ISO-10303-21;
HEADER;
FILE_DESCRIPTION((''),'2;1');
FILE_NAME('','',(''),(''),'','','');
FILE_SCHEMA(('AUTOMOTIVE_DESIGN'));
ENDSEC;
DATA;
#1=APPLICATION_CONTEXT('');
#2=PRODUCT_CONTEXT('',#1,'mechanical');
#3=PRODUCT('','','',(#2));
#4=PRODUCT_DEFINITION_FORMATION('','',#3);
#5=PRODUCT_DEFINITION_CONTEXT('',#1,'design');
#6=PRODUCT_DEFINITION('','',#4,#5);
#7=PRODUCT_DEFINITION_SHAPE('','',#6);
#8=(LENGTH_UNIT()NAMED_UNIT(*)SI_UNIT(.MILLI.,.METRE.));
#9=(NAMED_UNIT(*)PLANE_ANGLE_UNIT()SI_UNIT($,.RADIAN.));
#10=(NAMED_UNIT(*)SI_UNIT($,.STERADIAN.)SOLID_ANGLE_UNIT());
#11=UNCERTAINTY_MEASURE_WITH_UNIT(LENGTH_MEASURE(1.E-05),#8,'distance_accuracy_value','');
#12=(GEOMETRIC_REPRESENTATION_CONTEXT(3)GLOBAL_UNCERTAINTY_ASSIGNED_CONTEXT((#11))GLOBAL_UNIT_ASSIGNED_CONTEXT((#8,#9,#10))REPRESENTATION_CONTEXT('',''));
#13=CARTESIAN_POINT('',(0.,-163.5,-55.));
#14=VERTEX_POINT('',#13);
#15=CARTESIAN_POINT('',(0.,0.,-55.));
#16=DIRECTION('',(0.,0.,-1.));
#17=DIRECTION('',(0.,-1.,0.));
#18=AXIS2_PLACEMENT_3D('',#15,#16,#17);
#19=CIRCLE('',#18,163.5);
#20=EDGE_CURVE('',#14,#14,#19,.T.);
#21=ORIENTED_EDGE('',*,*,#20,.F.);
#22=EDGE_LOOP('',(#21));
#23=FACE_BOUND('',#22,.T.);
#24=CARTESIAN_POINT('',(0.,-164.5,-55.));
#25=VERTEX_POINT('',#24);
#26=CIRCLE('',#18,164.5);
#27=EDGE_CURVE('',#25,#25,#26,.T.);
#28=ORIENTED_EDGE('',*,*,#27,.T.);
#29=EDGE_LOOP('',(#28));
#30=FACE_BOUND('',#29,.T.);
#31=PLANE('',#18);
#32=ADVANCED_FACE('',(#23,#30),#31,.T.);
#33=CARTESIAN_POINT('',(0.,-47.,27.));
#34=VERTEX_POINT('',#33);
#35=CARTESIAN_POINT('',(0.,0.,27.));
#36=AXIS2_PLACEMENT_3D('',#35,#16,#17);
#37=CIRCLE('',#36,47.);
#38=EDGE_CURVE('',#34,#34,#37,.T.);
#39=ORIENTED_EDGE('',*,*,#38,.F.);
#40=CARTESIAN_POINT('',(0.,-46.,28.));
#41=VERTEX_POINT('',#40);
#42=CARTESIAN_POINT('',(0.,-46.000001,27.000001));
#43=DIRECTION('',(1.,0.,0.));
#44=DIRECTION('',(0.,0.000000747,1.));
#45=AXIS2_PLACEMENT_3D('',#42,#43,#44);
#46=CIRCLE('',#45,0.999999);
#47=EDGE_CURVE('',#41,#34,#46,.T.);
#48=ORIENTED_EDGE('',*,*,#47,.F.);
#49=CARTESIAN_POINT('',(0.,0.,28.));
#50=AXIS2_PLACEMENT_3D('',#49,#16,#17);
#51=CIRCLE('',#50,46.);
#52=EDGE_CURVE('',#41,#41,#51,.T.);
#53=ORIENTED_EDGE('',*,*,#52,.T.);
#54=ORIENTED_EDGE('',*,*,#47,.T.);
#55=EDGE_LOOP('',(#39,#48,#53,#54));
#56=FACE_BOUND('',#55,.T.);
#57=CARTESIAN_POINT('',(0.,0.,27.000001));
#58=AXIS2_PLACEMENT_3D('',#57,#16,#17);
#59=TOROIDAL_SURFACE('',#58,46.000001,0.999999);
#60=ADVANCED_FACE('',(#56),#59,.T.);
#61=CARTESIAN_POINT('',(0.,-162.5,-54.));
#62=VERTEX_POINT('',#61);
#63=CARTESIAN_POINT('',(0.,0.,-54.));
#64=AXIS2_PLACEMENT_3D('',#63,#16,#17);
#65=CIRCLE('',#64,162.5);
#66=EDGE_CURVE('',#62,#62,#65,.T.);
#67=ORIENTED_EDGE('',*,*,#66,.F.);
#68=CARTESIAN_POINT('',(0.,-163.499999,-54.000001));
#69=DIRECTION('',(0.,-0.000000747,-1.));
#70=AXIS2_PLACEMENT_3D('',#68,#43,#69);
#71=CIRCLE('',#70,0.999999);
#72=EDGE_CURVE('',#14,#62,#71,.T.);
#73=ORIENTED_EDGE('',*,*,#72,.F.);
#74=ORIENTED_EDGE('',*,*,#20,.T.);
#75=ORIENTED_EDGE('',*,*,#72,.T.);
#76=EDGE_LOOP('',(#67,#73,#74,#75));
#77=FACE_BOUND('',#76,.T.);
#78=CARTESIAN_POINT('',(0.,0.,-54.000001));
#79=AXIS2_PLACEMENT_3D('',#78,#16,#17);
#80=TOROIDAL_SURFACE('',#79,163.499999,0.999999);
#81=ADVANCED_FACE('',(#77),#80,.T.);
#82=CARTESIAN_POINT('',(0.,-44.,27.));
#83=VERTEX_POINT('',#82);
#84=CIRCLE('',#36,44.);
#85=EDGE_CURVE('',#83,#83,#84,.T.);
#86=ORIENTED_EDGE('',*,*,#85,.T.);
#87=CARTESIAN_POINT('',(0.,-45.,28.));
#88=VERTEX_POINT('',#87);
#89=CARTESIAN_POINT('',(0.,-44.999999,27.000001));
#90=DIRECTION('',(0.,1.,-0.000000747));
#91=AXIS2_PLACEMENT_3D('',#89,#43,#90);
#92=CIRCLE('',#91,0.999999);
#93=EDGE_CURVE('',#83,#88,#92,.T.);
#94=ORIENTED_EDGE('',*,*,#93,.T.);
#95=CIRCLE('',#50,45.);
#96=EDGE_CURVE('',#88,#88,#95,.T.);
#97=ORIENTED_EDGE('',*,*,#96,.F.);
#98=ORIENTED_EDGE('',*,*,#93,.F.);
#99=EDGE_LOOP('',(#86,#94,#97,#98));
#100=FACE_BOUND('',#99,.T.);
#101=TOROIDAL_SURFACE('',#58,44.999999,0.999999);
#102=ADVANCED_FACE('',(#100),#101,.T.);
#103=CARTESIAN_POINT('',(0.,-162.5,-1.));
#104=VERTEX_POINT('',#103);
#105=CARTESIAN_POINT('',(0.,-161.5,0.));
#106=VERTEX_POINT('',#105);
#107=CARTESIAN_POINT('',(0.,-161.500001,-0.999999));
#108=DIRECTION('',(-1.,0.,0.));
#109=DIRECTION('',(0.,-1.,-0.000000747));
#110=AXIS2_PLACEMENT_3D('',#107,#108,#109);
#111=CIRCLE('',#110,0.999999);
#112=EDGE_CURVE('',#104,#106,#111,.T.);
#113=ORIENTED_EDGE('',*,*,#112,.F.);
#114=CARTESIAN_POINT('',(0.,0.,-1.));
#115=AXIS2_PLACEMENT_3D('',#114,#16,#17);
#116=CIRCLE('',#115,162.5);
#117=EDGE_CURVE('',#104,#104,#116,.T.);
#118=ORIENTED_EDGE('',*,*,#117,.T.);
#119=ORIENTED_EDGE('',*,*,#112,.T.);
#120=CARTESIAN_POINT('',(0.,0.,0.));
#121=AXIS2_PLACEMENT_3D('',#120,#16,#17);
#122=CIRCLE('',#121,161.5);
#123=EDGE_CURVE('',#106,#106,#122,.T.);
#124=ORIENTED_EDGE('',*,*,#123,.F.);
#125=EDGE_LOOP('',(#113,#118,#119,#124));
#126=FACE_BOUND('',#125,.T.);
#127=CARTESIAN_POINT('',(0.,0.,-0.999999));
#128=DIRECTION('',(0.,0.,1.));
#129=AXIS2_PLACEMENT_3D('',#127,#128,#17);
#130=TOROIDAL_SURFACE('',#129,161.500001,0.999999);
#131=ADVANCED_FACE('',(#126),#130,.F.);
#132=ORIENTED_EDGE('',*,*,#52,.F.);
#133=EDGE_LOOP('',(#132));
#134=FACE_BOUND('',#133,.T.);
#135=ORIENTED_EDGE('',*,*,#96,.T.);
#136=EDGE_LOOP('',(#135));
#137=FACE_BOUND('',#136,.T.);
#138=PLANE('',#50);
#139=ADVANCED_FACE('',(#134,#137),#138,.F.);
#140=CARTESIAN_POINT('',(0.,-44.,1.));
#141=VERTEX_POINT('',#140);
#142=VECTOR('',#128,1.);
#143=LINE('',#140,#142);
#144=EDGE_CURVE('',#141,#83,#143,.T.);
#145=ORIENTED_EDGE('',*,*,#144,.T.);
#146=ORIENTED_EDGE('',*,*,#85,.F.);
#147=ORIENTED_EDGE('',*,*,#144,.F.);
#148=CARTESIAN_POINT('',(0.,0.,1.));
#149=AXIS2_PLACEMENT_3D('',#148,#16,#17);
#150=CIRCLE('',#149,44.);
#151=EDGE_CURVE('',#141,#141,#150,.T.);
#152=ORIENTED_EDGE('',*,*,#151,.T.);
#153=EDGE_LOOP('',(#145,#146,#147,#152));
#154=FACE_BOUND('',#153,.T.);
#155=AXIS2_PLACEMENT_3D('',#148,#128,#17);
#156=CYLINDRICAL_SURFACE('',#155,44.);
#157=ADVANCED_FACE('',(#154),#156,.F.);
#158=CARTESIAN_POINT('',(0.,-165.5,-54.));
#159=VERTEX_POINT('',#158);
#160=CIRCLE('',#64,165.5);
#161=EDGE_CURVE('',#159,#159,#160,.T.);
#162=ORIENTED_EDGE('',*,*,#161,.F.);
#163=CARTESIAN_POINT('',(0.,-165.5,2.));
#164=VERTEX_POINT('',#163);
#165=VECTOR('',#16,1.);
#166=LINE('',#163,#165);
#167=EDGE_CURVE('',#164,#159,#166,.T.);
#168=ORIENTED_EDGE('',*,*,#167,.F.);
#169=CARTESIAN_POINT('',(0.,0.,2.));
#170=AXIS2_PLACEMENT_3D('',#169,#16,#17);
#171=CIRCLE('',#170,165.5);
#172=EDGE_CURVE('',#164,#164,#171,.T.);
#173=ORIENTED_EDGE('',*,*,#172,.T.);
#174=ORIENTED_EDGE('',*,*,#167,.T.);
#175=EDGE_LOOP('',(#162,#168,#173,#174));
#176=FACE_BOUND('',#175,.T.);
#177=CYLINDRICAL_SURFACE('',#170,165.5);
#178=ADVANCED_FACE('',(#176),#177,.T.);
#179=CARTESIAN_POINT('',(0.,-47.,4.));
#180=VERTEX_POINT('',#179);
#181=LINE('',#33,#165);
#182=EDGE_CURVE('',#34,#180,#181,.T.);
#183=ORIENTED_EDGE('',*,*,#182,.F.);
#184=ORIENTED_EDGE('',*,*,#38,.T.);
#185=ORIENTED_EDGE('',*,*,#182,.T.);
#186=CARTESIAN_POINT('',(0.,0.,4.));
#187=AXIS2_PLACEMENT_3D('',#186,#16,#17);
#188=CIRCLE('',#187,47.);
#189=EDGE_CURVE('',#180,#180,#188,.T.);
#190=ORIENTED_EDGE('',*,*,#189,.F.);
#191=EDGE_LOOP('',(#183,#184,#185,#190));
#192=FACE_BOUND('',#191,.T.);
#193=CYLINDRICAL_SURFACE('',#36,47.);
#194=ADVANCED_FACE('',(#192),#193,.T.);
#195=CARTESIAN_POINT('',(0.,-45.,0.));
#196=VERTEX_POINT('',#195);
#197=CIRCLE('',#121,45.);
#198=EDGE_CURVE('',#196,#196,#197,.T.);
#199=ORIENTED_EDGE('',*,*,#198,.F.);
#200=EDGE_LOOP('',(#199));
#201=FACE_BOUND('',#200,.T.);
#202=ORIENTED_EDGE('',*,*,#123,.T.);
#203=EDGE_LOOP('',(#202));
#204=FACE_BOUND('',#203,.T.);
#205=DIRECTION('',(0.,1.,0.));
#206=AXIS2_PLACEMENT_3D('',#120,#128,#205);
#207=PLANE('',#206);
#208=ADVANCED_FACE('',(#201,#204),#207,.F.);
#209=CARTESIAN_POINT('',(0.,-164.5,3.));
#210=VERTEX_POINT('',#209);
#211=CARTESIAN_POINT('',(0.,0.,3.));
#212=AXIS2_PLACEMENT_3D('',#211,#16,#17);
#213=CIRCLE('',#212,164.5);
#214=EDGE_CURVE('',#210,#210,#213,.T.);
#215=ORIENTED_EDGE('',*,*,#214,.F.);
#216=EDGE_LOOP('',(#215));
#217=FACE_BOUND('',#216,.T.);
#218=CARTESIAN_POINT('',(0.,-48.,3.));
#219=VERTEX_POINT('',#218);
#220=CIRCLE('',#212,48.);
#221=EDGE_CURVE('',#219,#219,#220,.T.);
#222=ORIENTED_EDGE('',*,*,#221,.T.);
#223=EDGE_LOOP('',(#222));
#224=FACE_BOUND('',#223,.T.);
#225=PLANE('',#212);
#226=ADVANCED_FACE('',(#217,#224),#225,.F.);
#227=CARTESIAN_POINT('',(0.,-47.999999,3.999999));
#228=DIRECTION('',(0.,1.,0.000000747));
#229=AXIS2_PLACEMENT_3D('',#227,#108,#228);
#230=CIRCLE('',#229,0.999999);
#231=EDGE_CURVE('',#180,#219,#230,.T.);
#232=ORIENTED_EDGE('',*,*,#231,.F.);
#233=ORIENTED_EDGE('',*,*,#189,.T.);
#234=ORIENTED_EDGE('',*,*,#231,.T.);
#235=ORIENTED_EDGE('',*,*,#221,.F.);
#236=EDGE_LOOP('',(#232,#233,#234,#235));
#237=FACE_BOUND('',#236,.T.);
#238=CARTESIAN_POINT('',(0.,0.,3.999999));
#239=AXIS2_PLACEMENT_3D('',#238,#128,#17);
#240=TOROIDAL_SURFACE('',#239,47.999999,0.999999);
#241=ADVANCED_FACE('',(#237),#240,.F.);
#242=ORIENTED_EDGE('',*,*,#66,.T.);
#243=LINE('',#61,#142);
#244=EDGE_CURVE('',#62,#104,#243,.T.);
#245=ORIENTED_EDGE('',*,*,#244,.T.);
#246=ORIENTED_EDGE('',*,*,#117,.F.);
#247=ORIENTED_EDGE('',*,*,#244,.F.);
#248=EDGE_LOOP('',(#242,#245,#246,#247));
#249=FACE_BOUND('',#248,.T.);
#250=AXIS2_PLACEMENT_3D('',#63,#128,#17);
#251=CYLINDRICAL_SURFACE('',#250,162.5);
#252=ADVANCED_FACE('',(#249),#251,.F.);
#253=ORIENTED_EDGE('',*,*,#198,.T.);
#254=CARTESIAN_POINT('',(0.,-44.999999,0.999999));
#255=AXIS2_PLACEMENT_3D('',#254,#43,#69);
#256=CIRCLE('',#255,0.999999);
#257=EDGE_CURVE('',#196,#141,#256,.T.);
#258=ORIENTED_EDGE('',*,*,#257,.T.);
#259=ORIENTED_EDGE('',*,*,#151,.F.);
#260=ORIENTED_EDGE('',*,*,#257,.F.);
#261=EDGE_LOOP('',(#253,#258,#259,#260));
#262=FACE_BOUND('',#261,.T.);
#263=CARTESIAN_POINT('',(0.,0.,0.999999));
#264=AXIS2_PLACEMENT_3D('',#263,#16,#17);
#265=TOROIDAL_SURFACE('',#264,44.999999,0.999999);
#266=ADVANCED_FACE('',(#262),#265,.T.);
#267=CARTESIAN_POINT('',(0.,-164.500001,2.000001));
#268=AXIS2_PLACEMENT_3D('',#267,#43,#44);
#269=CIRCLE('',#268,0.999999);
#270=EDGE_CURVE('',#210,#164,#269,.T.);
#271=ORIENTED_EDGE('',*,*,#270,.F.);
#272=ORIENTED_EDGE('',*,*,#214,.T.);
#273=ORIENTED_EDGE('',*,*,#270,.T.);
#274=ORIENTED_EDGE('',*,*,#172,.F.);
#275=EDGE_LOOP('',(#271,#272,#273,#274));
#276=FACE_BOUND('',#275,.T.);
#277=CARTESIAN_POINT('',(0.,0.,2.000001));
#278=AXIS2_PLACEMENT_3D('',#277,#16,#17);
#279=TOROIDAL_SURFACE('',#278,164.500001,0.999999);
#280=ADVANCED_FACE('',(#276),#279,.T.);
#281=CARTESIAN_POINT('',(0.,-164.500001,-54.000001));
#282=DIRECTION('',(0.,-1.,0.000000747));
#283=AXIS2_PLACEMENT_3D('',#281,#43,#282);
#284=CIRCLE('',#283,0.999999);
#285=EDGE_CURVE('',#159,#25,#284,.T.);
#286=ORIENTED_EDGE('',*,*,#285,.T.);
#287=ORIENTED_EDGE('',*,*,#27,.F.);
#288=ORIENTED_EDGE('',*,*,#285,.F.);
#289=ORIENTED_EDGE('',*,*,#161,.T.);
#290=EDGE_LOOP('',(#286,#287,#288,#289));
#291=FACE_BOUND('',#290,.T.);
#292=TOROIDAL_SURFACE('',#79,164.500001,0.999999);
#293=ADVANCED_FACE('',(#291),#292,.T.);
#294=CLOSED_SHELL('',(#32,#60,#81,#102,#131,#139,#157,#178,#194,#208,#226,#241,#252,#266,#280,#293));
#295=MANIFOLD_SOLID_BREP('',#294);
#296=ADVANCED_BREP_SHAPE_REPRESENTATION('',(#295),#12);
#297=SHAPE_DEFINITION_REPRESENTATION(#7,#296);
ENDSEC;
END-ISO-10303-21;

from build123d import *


with BuildPart() as f1:
    # F0 (on Right) → F1 (revolve)
    with BuildSketch(Plane.YZ):
        with BuildLine():
            ThreePointArc((-162.5, -1), (-162.207107, -0.292893), (-161.5, 0))
            Line((-161.5, 0), (-47, 0))
            Line((-47, 0), (-45, 0))
            ThreePointArc((-45, 0), (-44.292893, 0.292893), (-44, 1))
            Line((-44, 1), (-44, 3))
            Line((-44, 3), (-44, 27))
            ThreePointArc((-44, 27), (-44.292893, 27.707107), (-45, 28))
            Line((-45, 28), (-46, 28))
            ThreePointArc((-46, 28), (-46.707107, 27.707107), (-47, 27))
            Line((-47, 27), (-47, 4))
            ThreePointArc((-47, 4), (-47.292893, 3.292893), (-48, 3))
            Line((-48, 3), (-164.5, 3))
            ThreePointArc((-164.5, 3), (-165.207107, 2.707107), (-165.5, 2))
            Line((-165.5, 2), (-165.5, -54))
            ThreePointArc((-165.5, -54), (-165.207107, -54.707107), (-164.5, -55))
            Line((-164.5, -55), (-163.5, -55))
            ThreePointArc((-163.5, -55), (-162.792893, -54.707107), (-162.5, -54))
            Line((-162.5, -54), (-162.5, -1))
        make_face()
    revolve(axis=Axis((0, 0, -20.725805), (0, 0, -1)))


solid = f1.part
